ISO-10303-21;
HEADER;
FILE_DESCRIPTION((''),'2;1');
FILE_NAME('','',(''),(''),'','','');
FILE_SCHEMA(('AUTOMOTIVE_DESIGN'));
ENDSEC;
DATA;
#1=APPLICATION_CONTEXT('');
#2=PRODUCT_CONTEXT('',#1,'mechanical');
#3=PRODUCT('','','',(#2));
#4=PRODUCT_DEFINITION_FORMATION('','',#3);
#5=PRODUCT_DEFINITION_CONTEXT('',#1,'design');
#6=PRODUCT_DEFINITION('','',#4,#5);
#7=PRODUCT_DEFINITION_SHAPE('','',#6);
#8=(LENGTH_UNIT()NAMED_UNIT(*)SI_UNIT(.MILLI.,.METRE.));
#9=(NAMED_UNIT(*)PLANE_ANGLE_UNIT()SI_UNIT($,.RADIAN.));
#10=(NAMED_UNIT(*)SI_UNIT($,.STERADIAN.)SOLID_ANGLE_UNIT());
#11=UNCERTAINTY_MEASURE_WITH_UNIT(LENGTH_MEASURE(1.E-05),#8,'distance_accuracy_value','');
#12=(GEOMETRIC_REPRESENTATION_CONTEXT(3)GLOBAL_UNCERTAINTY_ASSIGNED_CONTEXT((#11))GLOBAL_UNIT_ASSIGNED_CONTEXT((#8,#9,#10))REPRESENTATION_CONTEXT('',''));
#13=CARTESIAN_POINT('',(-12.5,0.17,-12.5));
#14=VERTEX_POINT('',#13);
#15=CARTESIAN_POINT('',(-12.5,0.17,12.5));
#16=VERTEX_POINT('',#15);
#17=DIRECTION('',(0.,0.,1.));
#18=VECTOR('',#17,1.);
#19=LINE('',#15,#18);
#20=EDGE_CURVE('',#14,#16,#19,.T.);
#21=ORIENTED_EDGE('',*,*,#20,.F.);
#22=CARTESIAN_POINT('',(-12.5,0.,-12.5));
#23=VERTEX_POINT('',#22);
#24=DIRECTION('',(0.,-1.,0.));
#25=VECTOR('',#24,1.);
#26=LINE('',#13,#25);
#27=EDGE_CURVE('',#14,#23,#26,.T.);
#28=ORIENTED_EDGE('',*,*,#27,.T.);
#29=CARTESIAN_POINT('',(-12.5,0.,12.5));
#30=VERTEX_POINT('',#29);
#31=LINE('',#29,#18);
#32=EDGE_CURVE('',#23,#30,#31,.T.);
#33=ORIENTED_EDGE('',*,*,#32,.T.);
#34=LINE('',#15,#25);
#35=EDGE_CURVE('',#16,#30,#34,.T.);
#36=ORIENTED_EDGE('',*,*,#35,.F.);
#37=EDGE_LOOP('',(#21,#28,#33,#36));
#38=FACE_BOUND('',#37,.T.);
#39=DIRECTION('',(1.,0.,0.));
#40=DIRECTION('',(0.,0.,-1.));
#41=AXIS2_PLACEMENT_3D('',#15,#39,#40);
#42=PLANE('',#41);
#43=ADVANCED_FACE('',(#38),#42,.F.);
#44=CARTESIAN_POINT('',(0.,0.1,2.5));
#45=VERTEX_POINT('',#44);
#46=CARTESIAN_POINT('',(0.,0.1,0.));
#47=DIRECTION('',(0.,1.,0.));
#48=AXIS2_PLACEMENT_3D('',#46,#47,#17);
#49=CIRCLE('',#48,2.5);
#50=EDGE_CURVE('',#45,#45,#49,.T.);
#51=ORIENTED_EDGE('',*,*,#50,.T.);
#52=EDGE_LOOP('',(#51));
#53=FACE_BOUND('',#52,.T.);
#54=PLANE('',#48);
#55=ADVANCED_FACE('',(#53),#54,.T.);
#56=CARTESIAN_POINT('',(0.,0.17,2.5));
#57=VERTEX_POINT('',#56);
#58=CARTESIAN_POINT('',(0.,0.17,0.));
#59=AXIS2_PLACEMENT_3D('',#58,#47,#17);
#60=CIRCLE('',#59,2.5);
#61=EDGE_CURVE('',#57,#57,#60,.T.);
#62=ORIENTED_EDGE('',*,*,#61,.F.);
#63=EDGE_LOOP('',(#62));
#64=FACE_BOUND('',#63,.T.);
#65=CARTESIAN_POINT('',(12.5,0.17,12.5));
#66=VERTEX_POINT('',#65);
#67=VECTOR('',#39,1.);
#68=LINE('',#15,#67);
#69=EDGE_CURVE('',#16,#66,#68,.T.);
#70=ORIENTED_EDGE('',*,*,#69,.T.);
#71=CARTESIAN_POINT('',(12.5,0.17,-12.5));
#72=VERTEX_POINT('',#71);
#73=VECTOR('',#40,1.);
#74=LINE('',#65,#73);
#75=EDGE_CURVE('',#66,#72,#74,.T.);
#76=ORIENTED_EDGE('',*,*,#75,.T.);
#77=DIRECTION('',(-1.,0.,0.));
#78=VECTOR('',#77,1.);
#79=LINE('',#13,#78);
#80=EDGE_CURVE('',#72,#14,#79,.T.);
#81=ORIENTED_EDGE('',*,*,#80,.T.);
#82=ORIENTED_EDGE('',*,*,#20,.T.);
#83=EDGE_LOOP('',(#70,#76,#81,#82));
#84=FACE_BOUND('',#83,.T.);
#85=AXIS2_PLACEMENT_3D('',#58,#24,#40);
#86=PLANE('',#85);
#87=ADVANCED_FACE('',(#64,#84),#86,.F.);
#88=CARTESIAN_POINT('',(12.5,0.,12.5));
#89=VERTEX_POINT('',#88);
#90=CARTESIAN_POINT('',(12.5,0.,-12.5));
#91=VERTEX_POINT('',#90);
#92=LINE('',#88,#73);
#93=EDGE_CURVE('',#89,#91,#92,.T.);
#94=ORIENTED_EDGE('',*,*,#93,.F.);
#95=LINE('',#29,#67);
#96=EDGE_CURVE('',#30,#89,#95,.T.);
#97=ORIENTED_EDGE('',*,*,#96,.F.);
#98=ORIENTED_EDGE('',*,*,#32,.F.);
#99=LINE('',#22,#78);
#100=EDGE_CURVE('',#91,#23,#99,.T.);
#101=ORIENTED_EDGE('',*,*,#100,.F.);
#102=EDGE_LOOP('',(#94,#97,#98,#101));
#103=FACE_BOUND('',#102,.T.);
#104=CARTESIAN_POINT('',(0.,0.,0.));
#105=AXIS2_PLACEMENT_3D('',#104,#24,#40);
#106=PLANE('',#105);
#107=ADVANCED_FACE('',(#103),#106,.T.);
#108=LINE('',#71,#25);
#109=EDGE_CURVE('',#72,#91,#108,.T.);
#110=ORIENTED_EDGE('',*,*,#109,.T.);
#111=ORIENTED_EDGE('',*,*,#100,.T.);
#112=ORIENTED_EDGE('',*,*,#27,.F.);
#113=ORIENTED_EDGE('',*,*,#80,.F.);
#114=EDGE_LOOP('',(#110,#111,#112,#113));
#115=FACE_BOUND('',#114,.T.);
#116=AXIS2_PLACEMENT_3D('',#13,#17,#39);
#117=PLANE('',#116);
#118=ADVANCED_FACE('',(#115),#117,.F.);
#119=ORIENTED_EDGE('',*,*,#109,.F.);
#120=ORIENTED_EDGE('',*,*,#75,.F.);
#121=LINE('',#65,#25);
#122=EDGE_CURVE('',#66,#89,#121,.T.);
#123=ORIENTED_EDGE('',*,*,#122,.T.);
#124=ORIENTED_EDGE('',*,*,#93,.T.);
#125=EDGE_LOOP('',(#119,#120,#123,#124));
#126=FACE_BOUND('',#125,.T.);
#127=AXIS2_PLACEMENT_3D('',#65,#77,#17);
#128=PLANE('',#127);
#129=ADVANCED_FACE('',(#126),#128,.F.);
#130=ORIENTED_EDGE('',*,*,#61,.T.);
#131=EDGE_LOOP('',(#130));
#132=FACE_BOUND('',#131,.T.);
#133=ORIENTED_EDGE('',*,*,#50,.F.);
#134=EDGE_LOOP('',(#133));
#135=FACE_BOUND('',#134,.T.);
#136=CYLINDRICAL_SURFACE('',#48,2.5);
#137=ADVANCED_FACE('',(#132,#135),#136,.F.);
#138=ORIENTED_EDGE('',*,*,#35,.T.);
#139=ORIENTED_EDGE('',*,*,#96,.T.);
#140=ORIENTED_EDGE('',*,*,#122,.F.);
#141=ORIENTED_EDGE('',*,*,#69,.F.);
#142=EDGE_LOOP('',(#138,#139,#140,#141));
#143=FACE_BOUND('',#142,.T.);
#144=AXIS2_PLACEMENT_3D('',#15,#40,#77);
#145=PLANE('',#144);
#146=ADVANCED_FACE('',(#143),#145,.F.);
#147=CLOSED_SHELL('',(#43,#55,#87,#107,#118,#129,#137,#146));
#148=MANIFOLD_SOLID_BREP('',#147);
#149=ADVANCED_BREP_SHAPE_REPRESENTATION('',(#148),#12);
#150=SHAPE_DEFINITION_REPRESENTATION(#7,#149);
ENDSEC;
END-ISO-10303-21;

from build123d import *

# Parameters (mm, degrees)
SKETCH1_W           = 25
SKETCH1_H           = 25
BOSS_EXTRUDE1_DEPTH = 0.17
SKETCH2_R           = 2.5
CUT_EXTRUDE1_DEPTH  = 0.07


with BuildPart() as part:
    # Sketch1 → Boss-Extrude1 (new body)
    with BuildSketch(Plane(origin=(0, 0, 0), x_dir=(1, 0, 0), z_dir=(0, 1, 0))):
        Rectangle(SKETCH1_W, SKETCH1_H)
    extrude(amount=BOSS_EXTRUDE1_DEPTH)

    # Sketch2 → Cut-Extrude1 (cut)
    with BuildSketch(Plane(origin=(0, 0.17, 0), x_dir=(1, 0, 0), z_dir=(0, 1, 0))):
        Circle(SKETCH2_R)
    extrude(amount=-CUT_EXTRUDE1_DEPTH, mode=Mode.SUBTRACT)


solid = part.part
